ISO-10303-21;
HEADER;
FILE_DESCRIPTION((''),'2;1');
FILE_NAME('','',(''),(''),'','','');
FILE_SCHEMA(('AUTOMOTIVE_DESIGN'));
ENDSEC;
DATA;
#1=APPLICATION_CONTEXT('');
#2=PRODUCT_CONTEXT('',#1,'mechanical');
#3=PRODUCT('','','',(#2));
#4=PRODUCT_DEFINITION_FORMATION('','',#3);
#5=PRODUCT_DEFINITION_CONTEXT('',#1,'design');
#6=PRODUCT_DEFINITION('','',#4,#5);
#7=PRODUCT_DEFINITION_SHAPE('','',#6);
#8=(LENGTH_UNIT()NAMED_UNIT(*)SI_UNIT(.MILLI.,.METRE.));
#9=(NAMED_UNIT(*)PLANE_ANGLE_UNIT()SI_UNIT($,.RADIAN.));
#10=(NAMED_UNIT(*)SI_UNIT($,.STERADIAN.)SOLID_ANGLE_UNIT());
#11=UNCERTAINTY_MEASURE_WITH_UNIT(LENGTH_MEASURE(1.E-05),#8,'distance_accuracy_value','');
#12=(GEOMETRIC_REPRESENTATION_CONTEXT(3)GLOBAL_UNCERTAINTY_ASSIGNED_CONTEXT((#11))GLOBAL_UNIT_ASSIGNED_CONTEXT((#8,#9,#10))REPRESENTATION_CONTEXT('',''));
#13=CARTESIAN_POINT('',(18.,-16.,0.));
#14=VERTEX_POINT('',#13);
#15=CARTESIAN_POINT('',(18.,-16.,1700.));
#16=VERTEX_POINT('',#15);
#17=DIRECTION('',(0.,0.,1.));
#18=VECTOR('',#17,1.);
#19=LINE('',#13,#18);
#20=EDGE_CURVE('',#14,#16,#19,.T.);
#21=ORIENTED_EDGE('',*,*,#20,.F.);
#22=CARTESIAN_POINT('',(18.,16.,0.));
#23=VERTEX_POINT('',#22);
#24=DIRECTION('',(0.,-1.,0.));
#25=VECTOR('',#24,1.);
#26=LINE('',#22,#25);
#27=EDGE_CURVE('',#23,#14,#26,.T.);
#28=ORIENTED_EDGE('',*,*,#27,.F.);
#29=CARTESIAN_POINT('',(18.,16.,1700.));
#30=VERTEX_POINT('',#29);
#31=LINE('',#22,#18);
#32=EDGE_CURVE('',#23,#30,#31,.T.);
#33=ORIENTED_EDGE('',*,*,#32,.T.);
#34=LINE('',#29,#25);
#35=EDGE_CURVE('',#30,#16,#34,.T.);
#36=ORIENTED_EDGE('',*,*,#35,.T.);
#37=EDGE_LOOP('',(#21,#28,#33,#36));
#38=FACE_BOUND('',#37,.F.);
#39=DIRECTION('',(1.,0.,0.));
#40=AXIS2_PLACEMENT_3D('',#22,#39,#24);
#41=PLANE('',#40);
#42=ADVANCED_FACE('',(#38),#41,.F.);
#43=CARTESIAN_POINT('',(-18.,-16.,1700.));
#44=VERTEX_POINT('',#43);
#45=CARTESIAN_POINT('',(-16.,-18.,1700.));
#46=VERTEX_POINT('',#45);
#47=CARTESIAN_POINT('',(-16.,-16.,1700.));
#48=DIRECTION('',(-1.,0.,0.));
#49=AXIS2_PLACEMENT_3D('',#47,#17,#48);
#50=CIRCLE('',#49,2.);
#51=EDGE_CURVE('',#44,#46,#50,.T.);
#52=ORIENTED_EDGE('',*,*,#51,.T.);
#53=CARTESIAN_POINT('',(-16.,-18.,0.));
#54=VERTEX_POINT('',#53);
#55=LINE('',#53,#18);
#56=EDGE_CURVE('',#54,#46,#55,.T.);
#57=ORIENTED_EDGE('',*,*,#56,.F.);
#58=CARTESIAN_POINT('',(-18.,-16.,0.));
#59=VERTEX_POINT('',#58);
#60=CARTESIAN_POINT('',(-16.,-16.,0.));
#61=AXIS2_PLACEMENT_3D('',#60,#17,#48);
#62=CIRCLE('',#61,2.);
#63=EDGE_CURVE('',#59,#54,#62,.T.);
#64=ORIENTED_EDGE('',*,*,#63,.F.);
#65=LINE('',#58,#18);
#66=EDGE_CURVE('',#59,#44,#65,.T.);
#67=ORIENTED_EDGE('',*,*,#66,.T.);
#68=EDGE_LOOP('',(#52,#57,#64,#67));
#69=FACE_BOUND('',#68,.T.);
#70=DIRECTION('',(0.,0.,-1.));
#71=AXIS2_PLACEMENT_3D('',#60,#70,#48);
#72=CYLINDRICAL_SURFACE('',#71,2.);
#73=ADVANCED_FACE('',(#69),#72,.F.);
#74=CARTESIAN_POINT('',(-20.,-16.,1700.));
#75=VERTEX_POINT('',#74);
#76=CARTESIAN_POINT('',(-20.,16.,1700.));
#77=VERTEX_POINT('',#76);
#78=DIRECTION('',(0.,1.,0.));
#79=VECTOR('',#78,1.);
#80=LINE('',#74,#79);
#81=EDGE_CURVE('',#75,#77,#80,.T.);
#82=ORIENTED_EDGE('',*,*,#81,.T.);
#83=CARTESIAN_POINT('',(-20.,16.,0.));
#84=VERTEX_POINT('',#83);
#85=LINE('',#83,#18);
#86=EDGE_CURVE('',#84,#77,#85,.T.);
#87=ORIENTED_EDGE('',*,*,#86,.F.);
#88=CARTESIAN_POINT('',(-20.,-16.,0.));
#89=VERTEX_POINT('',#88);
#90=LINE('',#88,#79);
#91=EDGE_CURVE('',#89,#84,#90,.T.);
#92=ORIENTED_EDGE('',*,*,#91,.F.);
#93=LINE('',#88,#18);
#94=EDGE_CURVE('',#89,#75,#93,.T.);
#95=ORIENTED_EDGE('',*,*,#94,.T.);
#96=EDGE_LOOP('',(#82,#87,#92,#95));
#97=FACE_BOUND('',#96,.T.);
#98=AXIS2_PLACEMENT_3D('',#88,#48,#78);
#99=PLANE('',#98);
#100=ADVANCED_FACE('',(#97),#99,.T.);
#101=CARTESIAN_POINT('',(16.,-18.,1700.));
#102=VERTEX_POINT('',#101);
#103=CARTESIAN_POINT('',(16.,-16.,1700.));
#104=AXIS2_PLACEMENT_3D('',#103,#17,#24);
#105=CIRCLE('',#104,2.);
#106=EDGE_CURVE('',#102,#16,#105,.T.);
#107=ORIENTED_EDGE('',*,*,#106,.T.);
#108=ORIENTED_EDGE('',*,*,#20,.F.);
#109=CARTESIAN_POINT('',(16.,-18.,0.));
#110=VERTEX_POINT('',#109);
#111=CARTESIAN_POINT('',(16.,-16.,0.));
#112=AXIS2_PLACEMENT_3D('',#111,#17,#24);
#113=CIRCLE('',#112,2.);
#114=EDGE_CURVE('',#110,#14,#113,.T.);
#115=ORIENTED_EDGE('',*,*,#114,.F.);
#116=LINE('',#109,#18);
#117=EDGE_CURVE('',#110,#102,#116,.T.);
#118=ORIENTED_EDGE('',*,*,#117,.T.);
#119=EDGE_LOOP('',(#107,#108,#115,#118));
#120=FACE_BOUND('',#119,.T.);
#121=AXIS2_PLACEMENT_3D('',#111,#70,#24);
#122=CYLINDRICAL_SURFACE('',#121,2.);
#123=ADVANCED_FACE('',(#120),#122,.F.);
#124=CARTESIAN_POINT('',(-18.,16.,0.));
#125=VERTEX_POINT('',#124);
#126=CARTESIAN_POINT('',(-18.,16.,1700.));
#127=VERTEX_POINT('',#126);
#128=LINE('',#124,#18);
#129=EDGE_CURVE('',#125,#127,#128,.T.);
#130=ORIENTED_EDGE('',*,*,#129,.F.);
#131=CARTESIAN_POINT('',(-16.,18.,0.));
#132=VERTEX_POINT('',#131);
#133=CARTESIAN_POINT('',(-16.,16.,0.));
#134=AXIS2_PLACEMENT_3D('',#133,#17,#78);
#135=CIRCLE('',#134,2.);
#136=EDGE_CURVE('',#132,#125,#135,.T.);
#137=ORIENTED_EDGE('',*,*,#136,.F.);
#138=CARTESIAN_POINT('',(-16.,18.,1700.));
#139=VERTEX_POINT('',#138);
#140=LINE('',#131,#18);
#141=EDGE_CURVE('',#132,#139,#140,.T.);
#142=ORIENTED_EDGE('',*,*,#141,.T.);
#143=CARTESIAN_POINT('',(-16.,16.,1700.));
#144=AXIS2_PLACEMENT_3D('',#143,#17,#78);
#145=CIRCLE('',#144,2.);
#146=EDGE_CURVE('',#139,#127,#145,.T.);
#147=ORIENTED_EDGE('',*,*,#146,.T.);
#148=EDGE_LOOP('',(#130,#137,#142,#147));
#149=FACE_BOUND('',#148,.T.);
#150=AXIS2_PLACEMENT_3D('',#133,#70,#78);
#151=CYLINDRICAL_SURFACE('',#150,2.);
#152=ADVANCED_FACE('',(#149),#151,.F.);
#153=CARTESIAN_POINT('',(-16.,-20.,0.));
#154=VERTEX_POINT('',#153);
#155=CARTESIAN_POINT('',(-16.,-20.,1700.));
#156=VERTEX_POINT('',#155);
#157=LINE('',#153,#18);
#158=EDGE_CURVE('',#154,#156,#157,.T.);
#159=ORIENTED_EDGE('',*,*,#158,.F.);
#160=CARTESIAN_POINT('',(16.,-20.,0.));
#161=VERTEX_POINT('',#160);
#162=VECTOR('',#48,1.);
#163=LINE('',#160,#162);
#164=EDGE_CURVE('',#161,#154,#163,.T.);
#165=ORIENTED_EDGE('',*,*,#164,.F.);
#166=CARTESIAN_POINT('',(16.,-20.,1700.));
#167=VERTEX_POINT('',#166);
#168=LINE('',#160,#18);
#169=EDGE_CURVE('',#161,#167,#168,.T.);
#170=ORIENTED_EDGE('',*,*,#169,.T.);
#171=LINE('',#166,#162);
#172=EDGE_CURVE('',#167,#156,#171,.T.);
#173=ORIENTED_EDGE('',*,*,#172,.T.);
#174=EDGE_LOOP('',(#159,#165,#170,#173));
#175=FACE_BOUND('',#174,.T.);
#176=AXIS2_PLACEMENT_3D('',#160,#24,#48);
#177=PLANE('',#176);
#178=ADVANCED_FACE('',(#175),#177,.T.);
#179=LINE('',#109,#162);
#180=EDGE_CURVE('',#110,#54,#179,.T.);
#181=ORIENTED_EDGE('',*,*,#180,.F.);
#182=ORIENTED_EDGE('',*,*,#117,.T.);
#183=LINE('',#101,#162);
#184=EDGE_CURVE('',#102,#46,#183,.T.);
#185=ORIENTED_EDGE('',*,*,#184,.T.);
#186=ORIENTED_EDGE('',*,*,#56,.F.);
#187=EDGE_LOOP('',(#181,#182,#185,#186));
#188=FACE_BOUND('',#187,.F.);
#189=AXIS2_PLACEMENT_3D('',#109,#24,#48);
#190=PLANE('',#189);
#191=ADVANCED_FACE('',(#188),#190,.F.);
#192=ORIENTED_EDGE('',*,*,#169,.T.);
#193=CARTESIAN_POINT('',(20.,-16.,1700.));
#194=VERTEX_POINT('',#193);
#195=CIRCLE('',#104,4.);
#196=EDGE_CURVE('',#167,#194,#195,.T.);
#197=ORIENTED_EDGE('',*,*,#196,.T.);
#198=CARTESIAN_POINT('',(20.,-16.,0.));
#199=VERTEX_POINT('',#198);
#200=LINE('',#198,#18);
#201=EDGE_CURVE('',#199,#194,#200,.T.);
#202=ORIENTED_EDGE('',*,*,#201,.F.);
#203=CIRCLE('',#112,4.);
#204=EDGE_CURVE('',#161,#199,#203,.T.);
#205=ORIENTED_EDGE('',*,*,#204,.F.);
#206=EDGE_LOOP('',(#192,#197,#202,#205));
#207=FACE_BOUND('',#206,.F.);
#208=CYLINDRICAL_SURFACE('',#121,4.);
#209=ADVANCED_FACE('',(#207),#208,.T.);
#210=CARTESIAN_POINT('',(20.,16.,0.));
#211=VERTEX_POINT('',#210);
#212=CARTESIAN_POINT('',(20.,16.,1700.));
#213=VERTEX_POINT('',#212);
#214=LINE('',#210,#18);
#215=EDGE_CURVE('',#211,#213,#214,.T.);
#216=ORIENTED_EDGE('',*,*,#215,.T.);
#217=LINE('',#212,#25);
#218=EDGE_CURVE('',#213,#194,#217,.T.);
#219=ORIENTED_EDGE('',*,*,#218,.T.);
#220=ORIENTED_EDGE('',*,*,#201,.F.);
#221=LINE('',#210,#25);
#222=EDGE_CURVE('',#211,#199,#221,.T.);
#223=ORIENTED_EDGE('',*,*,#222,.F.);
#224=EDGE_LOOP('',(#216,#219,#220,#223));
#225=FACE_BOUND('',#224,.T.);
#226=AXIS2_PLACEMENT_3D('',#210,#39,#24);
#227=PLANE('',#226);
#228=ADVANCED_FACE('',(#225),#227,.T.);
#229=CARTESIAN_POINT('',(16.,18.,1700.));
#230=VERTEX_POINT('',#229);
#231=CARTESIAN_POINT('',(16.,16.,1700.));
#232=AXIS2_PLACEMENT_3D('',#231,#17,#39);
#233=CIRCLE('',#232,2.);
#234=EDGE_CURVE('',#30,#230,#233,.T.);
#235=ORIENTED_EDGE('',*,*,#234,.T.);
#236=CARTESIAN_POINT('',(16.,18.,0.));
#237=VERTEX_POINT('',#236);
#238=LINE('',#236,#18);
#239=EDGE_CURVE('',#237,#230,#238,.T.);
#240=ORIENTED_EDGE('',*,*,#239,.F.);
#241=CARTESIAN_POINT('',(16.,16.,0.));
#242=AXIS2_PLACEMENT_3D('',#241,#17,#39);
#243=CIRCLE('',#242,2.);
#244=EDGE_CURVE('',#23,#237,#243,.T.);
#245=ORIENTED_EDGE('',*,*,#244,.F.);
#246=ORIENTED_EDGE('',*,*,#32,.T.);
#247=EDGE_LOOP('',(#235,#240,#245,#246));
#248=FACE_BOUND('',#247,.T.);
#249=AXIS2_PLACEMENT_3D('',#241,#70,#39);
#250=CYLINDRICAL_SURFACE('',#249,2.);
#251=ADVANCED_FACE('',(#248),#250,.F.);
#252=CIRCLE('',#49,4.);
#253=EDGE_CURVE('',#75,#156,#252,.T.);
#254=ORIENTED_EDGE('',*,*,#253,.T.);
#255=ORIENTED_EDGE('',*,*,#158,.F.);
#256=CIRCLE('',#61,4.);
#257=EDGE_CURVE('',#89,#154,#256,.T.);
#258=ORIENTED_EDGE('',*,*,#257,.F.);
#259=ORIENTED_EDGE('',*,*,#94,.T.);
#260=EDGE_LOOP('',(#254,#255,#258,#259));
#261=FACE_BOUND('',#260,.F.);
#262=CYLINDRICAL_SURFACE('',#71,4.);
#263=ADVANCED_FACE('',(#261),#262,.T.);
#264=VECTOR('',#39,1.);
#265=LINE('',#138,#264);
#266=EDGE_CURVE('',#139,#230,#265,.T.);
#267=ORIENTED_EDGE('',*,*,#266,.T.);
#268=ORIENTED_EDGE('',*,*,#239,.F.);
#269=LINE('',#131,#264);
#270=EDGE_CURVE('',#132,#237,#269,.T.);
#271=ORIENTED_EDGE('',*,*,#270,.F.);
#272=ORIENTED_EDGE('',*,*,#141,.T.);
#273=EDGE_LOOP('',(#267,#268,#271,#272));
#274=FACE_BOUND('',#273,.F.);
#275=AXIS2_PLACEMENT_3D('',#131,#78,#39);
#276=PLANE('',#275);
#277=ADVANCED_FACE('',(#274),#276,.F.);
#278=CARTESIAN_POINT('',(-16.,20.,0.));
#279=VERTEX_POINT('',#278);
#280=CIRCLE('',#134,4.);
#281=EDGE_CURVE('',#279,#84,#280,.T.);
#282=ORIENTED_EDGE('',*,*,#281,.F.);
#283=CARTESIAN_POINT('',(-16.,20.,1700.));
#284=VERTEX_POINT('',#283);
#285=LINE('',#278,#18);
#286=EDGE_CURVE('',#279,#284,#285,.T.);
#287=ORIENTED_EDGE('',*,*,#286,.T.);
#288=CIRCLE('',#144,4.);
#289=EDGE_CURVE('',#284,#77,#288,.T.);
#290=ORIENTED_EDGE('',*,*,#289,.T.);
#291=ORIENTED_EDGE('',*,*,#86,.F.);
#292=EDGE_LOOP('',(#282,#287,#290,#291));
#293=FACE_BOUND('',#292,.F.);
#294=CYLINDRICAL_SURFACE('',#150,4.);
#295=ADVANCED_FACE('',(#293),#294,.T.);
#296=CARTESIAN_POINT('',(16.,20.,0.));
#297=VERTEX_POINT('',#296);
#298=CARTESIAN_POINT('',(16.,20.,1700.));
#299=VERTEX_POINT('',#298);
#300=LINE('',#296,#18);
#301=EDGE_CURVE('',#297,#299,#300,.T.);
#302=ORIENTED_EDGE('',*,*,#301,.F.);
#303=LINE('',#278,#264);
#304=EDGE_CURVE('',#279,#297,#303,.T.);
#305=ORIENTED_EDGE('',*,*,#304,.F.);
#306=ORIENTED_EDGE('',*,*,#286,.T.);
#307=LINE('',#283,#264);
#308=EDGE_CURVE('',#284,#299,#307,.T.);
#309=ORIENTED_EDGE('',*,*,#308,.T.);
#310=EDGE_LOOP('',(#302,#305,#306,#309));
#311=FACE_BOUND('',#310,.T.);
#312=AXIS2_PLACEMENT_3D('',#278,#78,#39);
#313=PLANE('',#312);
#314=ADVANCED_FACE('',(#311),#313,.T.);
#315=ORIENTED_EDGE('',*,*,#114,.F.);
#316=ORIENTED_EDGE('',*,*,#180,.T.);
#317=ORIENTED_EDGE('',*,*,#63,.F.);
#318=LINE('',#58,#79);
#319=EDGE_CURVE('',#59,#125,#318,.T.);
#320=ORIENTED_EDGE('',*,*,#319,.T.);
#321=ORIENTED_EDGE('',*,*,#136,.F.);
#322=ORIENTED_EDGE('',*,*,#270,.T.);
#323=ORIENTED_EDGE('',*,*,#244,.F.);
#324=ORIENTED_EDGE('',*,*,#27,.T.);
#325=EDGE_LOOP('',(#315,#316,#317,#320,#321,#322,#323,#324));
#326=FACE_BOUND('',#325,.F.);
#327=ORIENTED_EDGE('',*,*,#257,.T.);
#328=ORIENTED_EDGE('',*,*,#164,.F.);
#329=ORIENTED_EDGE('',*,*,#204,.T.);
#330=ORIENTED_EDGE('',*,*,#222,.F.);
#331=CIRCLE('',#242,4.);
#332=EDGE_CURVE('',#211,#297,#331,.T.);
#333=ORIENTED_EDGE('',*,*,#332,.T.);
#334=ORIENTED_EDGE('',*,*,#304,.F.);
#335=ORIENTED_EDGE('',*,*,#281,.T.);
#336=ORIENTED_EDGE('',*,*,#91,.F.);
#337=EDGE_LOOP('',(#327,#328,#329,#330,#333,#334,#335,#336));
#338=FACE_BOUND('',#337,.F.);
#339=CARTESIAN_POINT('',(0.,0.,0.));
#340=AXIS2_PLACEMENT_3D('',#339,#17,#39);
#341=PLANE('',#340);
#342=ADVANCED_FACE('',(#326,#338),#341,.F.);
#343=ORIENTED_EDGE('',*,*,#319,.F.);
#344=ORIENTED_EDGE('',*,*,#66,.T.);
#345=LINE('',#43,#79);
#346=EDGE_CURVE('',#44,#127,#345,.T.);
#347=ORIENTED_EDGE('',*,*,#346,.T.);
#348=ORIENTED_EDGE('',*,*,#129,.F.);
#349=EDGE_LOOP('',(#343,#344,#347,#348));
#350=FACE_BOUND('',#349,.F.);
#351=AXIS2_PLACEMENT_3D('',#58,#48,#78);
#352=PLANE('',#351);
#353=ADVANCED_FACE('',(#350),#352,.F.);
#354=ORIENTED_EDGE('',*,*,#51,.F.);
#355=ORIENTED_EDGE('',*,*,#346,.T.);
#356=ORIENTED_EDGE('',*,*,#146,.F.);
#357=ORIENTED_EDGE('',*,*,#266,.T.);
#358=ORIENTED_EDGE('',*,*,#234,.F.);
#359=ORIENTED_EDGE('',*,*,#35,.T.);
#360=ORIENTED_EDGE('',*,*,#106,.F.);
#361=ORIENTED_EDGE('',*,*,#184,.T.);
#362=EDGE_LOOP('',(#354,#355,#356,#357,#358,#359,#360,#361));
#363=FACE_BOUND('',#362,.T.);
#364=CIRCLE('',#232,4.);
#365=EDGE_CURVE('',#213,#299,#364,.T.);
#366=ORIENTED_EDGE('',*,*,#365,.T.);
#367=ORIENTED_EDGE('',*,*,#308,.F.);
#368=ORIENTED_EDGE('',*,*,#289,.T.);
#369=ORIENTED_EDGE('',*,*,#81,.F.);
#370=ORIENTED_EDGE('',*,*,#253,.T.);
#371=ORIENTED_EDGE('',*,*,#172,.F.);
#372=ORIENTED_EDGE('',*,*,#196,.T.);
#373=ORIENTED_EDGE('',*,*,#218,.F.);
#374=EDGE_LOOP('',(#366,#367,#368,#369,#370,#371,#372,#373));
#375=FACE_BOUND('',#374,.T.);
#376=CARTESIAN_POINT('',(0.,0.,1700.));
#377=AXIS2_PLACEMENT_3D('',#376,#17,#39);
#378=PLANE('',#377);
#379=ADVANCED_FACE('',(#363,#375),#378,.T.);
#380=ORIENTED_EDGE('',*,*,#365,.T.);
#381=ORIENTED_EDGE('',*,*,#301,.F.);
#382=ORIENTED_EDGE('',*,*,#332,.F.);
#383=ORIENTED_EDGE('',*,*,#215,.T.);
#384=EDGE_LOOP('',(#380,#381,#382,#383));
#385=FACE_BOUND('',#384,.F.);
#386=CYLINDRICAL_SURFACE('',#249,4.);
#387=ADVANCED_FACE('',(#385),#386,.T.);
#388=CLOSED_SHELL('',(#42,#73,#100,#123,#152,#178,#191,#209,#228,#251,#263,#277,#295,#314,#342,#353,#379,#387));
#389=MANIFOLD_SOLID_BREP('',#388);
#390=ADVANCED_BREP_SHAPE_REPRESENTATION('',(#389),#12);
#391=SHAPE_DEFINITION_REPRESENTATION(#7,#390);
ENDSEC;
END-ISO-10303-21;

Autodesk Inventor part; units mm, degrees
ref_plane "YZ Plane" through (0, 0, 0) normal (1, 0, 0) x (0, 1, 0)
ref_plane "Start Plane" through (0, 0, 0) normal (0, 0, 1) x (1, 0, 0)
ref_plane "End Plane" through (0, 0, 1700) normal (0, 0, 1) x (1, 0, 0)
sketch "Sketch" plane through (0, 0, 0) normal (0, 0, 1) x (1, 0, 0)
  line L0 (-20, -16) -> (-20, 16)
  line L1 (-16, 20) -> (16, 20)
  line L2 (20, 16) -> (20, -16)
  line L3 (16, -20) -> (-16, -20)
  arc A0 (-20, -16) -> (-16, -20) centre (-16, -16) ccw
  arc A1 (20, 16) -> (16, 20) centre (16, 16) ccw
  arc A2 (-16, 20) -> (-20, 16) centre (-16, 16) ccw
  arc A3 (16, -20) -> (20, -16) centre (16, -16) ccw
  arc A4 (-16, 18) -> (-18, 16) centre (-16, 16) ccw
  line L4 (-16, 18) -> (16, 18)
  arc A5 (18, 16) -> (16, 18) centre (16, 16) ccw
  line L5 (18, 16) -> (18, -16)
  arc A6 (16, -18) -> (18, -16) centre (16, -16) ccw
  line L6 (16, -18) -> (-16, -18)
  arc A7 (-18, -16) -> (-16, -18) centre (-16, -16) ccw
  line L7 (-18, -16) -> (-18, 16)
  line L8 (0, 29.1598) -> (0, -29.1598) construction
  line L9 (-29.1598, 0) -> (29.1598, 0) construction
  dimension "d7" = 4
  dimension "d9" = 40
  dimension "d11" = 40
  dimension "d12" = 2
  dimension "d15" = 20
  dimension "d16" = 20
extrude "Body" add sketch "Sketch" along normal up to surface (1700 mm away) from surface at 0
sketch "Sketch3" plane through (0, 0, 0) normal (0, 0, 1) x (1, 0, 0)
  line L0 (0, 0) -> (10, 0)
ref_plane "Work Plane3" through (0, 0, 0) normal (0, -1, 0) x (1, 0, 0)
sketch "Sketch4" plane through (0, 0, 0) normal (0, -1, 0) x (1, 0, 0)
  line L0 (-2, 0) -> (12, 0) projected
  line L1 (-2, 1700) -> (12, 1700) projected
  dimension "d18" = 1700
equation "\"d7\" = G_IR"
equation "\"d9\" = G_W"
equation "\"d11\" = G_H"
equation "\"d12\" = G_T"
equation "\"d15\" = 0.5 * d9"
equation "\"d16\" = 0.5 * d11"
equation "\"d3\" = G_L"
equation "\"G_W\" = 40"
equation "\"G_H\" = 40"
equation "\"G_T\" = 2"
equation "\"G_IR\" = 4"
equation "\"G_L\" = d18"
equation "\"G_OFFSET_START\" = 0"
equation "\"G_OFFSET_END\" = 0"
properties part number "ISO 10799-2 - 40x40x2 - 1700" material "Stainless Steel"
